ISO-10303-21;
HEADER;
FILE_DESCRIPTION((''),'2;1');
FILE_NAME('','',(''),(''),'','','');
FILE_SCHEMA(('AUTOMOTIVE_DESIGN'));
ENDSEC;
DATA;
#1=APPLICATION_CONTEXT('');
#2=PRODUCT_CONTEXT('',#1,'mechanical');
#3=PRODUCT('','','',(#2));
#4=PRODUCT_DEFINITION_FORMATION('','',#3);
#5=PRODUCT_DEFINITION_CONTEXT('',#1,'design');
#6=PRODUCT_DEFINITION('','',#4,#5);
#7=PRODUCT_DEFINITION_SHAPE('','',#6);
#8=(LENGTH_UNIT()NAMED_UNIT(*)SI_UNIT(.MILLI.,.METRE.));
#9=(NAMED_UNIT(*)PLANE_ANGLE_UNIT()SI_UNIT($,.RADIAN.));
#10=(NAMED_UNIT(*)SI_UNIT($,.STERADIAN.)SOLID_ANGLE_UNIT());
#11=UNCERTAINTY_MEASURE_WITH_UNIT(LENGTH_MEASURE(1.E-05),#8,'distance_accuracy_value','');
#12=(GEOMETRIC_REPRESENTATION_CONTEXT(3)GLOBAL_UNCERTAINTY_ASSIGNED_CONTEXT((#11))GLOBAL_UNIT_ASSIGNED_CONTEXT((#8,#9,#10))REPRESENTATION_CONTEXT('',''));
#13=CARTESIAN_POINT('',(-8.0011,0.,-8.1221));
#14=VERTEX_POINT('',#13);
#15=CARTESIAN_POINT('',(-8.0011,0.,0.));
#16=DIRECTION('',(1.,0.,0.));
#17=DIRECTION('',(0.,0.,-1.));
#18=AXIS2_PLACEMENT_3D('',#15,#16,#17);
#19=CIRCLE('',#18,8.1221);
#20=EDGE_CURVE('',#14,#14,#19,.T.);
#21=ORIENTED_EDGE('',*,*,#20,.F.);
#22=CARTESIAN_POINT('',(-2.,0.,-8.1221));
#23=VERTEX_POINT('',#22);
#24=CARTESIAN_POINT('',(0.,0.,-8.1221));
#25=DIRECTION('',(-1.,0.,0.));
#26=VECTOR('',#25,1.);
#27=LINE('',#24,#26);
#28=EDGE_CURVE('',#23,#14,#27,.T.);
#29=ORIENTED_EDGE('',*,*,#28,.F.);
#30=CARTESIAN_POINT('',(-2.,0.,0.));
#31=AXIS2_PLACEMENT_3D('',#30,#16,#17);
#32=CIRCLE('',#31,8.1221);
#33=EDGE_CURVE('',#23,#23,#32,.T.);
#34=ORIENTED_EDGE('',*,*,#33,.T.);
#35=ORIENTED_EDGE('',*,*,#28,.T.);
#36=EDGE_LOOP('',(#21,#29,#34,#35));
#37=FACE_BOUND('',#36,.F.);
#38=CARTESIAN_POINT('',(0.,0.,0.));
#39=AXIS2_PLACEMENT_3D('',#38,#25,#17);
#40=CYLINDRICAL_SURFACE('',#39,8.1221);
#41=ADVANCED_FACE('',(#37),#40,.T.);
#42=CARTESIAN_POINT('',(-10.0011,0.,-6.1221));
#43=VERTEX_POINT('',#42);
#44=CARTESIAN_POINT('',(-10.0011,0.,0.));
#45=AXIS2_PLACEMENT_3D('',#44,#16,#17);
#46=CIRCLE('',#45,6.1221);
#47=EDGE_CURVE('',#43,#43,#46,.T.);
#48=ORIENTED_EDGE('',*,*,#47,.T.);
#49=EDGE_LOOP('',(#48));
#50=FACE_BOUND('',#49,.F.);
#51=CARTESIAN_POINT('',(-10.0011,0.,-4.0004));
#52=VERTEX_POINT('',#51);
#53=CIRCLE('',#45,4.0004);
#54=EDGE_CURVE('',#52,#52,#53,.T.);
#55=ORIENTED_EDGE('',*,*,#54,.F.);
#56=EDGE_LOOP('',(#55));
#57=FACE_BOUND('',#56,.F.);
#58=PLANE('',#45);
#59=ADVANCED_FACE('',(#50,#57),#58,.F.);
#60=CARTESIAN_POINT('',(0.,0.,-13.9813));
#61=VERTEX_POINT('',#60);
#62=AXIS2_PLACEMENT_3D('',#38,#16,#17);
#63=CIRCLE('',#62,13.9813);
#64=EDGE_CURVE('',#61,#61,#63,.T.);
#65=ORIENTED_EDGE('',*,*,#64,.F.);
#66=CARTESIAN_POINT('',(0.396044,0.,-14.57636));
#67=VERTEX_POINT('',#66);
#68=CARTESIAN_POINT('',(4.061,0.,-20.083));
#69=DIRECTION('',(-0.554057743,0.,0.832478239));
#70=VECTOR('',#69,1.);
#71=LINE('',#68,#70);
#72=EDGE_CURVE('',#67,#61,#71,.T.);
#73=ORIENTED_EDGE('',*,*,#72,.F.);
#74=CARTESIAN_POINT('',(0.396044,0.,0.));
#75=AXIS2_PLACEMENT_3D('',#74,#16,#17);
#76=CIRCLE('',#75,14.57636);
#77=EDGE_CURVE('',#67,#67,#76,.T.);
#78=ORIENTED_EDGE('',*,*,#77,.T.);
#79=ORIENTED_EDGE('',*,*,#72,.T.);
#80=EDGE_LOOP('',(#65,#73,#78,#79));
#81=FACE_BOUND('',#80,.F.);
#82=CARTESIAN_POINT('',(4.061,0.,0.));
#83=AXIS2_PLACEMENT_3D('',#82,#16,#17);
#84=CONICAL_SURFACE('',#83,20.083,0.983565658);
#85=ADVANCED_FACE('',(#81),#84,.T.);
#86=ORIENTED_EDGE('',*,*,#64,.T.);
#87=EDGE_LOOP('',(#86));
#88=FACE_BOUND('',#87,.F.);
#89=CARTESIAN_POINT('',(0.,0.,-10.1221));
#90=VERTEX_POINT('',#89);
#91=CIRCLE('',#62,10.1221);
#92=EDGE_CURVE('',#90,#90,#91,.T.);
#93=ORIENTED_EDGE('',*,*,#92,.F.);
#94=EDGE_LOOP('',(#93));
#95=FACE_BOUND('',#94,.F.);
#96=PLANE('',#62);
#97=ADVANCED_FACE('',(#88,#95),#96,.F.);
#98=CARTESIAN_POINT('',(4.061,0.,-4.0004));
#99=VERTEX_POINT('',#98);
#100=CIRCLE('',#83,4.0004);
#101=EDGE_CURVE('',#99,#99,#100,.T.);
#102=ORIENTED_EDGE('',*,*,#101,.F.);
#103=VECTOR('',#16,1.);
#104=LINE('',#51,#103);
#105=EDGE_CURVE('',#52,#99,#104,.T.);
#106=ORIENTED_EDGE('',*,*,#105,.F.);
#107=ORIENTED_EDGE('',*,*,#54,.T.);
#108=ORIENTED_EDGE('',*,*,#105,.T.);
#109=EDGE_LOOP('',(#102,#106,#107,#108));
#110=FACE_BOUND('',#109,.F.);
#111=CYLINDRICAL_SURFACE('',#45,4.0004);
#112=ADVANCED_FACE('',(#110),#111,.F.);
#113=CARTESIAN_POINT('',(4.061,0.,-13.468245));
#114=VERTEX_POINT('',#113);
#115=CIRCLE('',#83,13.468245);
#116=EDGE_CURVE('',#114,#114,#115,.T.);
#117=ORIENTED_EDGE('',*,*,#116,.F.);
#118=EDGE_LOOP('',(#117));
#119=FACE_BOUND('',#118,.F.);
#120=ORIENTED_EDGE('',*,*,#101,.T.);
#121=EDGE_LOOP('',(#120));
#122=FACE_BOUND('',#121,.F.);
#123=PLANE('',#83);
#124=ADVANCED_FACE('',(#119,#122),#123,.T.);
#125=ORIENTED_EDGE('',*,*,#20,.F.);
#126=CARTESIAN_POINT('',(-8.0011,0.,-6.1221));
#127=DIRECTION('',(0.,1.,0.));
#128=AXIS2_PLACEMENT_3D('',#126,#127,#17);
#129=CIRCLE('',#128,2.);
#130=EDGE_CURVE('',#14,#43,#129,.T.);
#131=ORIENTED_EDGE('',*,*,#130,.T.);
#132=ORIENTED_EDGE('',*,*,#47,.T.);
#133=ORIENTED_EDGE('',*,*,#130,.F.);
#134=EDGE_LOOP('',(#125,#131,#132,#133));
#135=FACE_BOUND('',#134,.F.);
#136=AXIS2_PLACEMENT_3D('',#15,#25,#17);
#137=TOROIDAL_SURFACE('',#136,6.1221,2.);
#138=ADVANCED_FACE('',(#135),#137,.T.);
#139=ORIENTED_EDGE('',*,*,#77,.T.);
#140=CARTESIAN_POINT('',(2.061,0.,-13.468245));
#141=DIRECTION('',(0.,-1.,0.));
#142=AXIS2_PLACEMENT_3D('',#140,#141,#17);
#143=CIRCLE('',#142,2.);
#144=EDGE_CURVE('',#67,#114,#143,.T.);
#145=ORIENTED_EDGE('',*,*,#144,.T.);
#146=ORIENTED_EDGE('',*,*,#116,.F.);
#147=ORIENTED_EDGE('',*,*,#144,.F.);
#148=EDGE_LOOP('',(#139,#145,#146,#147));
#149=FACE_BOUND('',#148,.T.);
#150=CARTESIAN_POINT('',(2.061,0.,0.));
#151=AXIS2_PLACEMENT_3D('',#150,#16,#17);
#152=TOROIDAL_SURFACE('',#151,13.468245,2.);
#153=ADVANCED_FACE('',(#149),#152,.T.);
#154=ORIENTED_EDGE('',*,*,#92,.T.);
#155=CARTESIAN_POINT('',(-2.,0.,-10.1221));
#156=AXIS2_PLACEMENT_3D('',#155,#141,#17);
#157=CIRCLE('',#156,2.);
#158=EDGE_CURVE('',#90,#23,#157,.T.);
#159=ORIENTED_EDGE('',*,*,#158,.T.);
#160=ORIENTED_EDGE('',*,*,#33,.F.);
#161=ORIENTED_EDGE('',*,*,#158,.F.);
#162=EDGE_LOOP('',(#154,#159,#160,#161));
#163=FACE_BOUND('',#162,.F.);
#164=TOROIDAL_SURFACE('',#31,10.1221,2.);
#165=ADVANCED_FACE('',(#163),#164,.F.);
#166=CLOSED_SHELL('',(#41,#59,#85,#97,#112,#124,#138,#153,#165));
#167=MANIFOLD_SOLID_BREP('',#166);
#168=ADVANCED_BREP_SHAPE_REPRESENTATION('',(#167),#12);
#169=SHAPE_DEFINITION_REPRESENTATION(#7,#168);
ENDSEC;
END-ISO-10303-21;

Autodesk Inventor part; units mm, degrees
ref_plane "YZ Plane" through (0, 0, 0) normal (1, 0, 0) x (0, 1, 0)
ref_plane "XZ Plane" through (0, 0, 0) normal (0, 1, 0) x (-1, 0, 0)
ref_plane "XY Plane" through (0, 0, 0) normal (0, 0, 1) x (1, 0, 0)
sketch "Sketch1" plane through (0, 0, 0) normal (0, 1, 0) x (-1, 0, 0)
  line L0 (10.0011, -4.0004) -> (-4.061, -4.0004)
  line L1 (-4.061, -4.0004) -> (-4.061, -20.083)
  line L2 (-4.061, -20.083) -> (0, -13.9813)
  line L3 (0, -13.9813) -> (0, -8.1221)
  line L4 (0, -8.1221) -> (10.0011, -8.1221)
  line L5 (10.0011, -8.1221) -> (10.0011, -4.0004)
  line L6 (12.8135, 0) -> (-6.8735, 0) projected
  point P0 (0, 0)
revolve "Revolution1" add sketch "Sketch1" angle 360 about axis through (-10, 0, 0) along (1, 0, 0)
fillet "Fillet1" radius 2 1 edges at (4.061, 0, 20.083)
fillet "Fillet2" radius 2 2 edges at (-10.0011, 0, 8.1221) (0, 0, 8.1221)
properties part number "revolution_example"
